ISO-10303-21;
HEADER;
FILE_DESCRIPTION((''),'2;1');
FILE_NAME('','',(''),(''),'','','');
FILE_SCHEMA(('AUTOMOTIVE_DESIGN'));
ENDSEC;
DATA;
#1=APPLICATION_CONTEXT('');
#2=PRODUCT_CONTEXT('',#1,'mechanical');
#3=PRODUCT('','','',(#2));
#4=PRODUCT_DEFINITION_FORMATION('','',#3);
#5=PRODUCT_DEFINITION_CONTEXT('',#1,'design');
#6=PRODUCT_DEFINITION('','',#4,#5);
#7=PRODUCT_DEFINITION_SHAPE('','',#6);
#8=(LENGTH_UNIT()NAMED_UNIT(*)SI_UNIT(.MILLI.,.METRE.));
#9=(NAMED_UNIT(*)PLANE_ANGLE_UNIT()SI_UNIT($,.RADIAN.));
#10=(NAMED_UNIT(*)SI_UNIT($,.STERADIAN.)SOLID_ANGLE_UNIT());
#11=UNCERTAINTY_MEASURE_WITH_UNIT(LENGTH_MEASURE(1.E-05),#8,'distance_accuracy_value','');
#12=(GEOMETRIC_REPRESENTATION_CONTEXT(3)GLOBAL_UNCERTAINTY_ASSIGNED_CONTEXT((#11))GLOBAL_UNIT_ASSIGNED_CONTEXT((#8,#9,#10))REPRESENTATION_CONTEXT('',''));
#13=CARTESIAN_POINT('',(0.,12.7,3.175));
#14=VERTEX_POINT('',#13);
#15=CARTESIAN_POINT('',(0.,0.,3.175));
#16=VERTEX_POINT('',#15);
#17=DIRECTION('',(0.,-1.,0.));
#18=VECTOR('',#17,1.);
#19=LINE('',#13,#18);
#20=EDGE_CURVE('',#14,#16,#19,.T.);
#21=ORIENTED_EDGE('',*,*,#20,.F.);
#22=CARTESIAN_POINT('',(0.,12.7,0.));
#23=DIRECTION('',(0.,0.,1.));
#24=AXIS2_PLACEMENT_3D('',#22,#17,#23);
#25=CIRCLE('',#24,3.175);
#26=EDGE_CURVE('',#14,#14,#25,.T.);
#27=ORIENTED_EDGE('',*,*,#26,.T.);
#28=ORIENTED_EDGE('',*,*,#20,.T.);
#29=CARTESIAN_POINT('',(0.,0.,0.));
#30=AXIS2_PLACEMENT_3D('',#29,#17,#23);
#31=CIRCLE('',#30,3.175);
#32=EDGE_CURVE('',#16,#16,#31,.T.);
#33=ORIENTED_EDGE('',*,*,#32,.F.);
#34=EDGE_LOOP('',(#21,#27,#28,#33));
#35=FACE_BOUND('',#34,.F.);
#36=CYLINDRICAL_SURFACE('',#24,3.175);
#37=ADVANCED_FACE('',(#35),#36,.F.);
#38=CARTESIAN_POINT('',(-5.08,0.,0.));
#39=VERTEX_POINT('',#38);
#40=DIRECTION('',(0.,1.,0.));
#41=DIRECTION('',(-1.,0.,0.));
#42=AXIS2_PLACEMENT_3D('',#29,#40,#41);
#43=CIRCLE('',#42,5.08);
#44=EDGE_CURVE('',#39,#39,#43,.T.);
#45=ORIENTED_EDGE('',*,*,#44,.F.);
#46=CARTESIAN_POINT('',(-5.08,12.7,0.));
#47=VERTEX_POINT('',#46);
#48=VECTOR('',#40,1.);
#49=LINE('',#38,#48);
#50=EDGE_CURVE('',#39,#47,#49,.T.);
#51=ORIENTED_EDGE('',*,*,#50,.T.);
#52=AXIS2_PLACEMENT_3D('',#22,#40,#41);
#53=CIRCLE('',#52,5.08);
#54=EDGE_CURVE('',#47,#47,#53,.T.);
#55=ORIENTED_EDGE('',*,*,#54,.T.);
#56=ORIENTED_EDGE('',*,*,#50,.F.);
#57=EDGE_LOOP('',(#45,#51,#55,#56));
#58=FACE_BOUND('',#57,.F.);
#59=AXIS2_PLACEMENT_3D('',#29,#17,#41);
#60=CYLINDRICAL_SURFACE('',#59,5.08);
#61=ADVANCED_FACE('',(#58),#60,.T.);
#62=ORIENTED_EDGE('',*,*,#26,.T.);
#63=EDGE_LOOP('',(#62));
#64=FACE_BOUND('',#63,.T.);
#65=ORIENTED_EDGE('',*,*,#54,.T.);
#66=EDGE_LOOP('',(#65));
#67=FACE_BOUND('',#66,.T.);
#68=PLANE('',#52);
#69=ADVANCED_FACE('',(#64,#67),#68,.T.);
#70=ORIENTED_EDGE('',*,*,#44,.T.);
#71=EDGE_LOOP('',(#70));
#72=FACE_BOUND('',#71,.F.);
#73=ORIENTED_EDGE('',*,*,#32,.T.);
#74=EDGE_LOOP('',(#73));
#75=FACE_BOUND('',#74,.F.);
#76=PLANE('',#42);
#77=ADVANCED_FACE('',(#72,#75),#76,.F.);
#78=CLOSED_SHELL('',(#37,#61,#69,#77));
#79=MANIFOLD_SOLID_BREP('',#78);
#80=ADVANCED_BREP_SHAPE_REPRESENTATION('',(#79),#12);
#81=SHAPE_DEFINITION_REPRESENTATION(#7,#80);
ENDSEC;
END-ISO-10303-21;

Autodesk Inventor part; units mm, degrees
ref_plane "YZ Plane" through (0, 0, 0) normal (1, 0, 0) x (0, 1, 0)
ref_plane "XZ Plane" through (0, 0, 0) normal (0, 1, 0) x (-1, 0, 0)
ref_plane "XY Plane" through (0, 0, 0) normal (0, 0, 1) x (1, 0, 0)
sketch "Sketch1" plane through (0, 0, 0) normal (0, 1, 0) x (-1, 0, 0)
  circle A0 centre (0, 0) radius 5.08
  dimension "d0" = 10.16
extrude "Extrusion1" add sketch "Sketch1" along normal blind 12.7
hole "Hole1" at (0, 12.7, 0) direction (0, -1, 0) diameter 6.35 end through all
properties part number "1_5 inch spacer" material "Aluminum 6061"
